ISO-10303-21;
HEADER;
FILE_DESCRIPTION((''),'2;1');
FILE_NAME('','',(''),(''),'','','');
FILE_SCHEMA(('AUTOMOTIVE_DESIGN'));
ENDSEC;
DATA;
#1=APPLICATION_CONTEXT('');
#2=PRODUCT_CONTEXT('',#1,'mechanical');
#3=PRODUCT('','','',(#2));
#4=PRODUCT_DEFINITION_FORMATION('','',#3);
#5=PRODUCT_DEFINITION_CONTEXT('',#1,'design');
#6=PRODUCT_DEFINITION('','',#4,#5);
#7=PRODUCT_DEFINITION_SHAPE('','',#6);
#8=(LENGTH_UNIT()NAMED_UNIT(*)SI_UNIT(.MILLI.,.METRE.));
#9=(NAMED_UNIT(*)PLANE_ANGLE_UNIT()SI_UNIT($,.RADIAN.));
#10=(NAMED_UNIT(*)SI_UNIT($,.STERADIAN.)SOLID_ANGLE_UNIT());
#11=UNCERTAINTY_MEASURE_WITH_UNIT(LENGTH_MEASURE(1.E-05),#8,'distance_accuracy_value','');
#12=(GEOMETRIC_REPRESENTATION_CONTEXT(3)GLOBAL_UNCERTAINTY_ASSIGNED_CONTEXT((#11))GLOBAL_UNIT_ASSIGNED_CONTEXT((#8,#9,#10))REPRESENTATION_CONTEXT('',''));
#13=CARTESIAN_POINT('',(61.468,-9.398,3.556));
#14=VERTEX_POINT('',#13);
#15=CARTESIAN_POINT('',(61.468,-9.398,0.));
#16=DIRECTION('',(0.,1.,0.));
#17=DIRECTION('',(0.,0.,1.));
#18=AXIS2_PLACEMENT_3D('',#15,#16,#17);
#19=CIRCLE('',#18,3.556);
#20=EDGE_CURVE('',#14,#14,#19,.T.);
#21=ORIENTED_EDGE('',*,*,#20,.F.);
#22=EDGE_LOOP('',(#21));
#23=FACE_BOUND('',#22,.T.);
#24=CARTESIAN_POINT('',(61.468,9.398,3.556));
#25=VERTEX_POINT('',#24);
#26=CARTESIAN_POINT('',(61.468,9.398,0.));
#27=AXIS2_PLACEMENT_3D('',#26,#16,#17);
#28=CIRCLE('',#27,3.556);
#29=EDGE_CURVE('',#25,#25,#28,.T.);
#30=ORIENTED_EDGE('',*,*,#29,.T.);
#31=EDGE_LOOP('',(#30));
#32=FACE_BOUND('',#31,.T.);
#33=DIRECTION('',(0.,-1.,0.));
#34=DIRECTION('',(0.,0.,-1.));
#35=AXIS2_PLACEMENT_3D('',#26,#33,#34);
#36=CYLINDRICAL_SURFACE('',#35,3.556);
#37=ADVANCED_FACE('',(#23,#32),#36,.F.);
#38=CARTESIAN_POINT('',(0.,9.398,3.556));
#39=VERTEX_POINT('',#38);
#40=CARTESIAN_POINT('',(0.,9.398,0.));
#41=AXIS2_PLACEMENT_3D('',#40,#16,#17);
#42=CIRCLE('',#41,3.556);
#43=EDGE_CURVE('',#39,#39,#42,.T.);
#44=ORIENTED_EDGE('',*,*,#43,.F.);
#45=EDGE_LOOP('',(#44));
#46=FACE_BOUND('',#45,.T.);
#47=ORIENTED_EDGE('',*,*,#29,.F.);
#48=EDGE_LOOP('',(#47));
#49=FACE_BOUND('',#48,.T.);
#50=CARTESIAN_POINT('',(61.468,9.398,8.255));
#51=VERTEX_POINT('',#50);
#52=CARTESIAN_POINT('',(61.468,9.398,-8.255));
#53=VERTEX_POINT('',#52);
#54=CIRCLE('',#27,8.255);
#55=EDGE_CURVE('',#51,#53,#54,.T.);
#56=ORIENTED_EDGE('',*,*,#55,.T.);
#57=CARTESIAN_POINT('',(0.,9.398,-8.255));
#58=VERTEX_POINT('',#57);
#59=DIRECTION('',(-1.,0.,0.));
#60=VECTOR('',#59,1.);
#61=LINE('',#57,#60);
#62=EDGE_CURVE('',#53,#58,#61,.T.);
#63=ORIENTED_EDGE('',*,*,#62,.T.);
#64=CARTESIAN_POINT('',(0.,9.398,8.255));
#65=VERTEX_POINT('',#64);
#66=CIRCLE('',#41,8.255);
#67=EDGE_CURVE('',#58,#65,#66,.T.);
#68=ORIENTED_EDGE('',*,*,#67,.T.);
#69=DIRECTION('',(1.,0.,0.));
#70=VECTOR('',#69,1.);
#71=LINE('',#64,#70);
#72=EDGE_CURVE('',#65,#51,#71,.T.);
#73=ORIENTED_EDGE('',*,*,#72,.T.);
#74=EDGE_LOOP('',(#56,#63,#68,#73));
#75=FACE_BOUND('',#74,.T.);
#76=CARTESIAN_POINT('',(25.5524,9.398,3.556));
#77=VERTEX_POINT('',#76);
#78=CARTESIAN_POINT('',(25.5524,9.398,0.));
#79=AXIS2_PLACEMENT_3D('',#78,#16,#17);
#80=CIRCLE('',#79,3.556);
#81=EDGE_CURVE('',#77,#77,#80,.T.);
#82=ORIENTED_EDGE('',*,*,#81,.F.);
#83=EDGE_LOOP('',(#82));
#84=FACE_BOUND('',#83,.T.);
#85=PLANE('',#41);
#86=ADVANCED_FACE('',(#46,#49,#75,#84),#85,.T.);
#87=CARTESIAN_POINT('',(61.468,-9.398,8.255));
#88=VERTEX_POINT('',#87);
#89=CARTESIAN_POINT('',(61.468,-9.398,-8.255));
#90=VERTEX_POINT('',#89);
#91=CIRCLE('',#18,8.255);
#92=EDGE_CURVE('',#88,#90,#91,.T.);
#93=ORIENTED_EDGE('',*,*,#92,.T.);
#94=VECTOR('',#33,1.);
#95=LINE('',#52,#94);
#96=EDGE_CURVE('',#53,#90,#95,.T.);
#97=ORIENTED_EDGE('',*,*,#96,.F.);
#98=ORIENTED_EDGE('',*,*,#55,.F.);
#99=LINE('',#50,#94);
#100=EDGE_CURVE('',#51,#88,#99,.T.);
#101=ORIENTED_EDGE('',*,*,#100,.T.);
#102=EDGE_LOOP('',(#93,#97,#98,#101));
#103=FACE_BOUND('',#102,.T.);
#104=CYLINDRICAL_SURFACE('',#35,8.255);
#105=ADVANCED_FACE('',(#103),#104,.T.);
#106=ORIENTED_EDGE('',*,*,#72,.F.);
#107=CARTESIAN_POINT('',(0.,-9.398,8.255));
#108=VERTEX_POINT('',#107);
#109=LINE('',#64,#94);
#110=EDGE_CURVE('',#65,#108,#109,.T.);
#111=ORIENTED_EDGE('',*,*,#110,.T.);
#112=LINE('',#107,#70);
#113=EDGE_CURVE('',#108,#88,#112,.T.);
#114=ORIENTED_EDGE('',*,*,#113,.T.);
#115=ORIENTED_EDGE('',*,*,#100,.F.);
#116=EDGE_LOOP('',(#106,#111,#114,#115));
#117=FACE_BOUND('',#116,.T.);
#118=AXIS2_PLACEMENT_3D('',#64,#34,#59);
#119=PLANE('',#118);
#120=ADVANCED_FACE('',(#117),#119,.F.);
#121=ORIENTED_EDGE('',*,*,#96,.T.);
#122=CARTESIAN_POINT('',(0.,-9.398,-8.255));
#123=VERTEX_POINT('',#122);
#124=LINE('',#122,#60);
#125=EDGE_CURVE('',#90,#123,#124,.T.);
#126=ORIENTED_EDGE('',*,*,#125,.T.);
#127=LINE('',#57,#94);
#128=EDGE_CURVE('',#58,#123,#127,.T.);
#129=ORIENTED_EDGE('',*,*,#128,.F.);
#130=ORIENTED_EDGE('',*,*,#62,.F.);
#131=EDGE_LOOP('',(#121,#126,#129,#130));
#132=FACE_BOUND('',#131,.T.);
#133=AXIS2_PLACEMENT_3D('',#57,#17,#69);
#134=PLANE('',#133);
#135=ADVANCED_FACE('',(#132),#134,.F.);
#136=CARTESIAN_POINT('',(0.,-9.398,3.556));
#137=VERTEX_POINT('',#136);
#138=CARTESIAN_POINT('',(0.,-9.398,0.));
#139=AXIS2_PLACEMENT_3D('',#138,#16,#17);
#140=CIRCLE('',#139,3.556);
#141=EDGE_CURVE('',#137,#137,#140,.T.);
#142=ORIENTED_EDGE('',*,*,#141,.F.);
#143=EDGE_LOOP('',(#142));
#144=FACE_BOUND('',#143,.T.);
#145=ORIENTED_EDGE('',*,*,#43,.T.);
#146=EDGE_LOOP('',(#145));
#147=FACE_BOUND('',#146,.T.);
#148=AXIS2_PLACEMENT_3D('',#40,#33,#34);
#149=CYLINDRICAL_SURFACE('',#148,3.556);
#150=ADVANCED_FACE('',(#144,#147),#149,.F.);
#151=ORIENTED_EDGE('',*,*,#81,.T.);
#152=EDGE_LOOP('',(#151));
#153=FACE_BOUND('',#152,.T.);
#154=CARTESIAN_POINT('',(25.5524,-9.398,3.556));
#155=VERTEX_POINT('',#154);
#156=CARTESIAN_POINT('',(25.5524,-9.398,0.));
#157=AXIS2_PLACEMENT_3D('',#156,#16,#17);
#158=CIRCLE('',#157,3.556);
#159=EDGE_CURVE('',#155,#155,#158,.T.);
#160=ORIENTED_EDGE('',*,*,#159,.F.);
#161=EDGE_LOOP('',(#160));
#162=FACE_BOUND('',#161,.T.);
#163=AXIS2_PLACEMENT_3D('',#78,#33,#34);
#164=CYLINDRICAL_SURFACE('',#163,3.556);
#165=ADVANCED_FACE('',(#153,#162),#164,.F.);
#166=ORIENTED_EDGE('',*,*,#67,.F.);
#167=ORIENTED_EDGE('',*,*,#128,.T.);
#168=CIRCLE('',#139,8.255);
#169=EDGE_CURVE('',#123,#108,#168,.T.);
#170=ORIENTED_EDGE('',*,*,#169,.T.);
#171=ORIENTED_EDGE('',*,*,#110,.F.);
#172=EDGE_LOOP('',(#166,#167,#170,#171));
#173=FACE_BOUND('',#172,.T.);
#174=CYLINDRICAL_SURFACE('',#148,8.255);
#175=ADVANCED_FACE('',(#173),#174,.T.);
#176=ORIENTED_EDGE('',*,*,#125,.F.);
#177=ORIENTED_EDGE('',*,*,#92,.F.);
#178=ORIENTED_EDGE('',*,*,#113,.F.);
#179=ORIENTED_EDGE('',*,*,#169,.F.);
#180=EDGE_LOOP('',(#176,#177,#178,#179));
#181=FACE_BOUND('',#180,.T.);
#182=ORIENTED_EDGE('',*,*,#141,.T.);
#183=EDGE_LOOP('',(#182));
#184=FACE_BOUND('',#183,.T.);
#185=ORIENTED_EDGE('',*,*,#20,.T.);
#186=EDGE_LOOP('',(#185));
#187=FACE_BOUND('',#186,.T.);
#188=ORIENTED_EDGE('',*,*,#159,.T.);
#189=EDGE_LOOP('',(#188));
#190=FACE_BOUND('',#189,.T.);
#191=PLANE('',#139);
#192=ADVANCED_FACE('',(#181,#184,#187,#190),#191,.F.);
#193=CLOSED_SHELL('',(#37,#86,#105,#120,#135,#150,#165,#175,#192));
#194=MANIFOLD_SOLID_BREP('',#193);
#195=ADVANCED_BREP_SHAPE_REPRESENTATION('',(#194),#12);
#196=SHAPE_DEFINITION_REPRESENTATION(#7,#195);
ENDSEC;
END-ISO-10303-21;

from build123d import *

# Parameters (mm, degrees)
SKETCH1_R           = 3.556
BOSS_EXTRUDE1_DEPTH = 9.398


with BuildPart() as part:
    # Sketch1 → Boss-Extrude1 (new, symmetric)
    with BuildSketch(Plane(origin=(0, 0, 0), x_dir=(1, 0, 0), z_dir=(0, 1, 0))):
        with BuildLine():
            Line((0, 8.255), (61.468, 8.255))
            ThreePointArc((61.468, 8.255), (69.723, 0), (61.468, -8.255))
            Line((61.468, -8.255), (0, -8.255))
            ThreePointArc((0, -8.255), (-8.255, 0), (0, 8.255))
        make_face()
        with Locations(Location((0, 0, 0), (0, 0, 270))):
            Circle(SKETCH1_R, mode=Mode.SUBTRACT)
        with Locations(Location((25.5524, 0, 0), (0, 0, 270))):
            Circle(SKETCH1_R, mode=Mode.SUBTRACT)
        with Locations(Location((61.468, 0, 0), (0, 0, 270))):
            Circle(SKETCH1_R, mode=Mode.SUBTRACT)
    extrude(amount=BOSS_EXTRUDE1_DEPTH, both=True)


solid = part.part
